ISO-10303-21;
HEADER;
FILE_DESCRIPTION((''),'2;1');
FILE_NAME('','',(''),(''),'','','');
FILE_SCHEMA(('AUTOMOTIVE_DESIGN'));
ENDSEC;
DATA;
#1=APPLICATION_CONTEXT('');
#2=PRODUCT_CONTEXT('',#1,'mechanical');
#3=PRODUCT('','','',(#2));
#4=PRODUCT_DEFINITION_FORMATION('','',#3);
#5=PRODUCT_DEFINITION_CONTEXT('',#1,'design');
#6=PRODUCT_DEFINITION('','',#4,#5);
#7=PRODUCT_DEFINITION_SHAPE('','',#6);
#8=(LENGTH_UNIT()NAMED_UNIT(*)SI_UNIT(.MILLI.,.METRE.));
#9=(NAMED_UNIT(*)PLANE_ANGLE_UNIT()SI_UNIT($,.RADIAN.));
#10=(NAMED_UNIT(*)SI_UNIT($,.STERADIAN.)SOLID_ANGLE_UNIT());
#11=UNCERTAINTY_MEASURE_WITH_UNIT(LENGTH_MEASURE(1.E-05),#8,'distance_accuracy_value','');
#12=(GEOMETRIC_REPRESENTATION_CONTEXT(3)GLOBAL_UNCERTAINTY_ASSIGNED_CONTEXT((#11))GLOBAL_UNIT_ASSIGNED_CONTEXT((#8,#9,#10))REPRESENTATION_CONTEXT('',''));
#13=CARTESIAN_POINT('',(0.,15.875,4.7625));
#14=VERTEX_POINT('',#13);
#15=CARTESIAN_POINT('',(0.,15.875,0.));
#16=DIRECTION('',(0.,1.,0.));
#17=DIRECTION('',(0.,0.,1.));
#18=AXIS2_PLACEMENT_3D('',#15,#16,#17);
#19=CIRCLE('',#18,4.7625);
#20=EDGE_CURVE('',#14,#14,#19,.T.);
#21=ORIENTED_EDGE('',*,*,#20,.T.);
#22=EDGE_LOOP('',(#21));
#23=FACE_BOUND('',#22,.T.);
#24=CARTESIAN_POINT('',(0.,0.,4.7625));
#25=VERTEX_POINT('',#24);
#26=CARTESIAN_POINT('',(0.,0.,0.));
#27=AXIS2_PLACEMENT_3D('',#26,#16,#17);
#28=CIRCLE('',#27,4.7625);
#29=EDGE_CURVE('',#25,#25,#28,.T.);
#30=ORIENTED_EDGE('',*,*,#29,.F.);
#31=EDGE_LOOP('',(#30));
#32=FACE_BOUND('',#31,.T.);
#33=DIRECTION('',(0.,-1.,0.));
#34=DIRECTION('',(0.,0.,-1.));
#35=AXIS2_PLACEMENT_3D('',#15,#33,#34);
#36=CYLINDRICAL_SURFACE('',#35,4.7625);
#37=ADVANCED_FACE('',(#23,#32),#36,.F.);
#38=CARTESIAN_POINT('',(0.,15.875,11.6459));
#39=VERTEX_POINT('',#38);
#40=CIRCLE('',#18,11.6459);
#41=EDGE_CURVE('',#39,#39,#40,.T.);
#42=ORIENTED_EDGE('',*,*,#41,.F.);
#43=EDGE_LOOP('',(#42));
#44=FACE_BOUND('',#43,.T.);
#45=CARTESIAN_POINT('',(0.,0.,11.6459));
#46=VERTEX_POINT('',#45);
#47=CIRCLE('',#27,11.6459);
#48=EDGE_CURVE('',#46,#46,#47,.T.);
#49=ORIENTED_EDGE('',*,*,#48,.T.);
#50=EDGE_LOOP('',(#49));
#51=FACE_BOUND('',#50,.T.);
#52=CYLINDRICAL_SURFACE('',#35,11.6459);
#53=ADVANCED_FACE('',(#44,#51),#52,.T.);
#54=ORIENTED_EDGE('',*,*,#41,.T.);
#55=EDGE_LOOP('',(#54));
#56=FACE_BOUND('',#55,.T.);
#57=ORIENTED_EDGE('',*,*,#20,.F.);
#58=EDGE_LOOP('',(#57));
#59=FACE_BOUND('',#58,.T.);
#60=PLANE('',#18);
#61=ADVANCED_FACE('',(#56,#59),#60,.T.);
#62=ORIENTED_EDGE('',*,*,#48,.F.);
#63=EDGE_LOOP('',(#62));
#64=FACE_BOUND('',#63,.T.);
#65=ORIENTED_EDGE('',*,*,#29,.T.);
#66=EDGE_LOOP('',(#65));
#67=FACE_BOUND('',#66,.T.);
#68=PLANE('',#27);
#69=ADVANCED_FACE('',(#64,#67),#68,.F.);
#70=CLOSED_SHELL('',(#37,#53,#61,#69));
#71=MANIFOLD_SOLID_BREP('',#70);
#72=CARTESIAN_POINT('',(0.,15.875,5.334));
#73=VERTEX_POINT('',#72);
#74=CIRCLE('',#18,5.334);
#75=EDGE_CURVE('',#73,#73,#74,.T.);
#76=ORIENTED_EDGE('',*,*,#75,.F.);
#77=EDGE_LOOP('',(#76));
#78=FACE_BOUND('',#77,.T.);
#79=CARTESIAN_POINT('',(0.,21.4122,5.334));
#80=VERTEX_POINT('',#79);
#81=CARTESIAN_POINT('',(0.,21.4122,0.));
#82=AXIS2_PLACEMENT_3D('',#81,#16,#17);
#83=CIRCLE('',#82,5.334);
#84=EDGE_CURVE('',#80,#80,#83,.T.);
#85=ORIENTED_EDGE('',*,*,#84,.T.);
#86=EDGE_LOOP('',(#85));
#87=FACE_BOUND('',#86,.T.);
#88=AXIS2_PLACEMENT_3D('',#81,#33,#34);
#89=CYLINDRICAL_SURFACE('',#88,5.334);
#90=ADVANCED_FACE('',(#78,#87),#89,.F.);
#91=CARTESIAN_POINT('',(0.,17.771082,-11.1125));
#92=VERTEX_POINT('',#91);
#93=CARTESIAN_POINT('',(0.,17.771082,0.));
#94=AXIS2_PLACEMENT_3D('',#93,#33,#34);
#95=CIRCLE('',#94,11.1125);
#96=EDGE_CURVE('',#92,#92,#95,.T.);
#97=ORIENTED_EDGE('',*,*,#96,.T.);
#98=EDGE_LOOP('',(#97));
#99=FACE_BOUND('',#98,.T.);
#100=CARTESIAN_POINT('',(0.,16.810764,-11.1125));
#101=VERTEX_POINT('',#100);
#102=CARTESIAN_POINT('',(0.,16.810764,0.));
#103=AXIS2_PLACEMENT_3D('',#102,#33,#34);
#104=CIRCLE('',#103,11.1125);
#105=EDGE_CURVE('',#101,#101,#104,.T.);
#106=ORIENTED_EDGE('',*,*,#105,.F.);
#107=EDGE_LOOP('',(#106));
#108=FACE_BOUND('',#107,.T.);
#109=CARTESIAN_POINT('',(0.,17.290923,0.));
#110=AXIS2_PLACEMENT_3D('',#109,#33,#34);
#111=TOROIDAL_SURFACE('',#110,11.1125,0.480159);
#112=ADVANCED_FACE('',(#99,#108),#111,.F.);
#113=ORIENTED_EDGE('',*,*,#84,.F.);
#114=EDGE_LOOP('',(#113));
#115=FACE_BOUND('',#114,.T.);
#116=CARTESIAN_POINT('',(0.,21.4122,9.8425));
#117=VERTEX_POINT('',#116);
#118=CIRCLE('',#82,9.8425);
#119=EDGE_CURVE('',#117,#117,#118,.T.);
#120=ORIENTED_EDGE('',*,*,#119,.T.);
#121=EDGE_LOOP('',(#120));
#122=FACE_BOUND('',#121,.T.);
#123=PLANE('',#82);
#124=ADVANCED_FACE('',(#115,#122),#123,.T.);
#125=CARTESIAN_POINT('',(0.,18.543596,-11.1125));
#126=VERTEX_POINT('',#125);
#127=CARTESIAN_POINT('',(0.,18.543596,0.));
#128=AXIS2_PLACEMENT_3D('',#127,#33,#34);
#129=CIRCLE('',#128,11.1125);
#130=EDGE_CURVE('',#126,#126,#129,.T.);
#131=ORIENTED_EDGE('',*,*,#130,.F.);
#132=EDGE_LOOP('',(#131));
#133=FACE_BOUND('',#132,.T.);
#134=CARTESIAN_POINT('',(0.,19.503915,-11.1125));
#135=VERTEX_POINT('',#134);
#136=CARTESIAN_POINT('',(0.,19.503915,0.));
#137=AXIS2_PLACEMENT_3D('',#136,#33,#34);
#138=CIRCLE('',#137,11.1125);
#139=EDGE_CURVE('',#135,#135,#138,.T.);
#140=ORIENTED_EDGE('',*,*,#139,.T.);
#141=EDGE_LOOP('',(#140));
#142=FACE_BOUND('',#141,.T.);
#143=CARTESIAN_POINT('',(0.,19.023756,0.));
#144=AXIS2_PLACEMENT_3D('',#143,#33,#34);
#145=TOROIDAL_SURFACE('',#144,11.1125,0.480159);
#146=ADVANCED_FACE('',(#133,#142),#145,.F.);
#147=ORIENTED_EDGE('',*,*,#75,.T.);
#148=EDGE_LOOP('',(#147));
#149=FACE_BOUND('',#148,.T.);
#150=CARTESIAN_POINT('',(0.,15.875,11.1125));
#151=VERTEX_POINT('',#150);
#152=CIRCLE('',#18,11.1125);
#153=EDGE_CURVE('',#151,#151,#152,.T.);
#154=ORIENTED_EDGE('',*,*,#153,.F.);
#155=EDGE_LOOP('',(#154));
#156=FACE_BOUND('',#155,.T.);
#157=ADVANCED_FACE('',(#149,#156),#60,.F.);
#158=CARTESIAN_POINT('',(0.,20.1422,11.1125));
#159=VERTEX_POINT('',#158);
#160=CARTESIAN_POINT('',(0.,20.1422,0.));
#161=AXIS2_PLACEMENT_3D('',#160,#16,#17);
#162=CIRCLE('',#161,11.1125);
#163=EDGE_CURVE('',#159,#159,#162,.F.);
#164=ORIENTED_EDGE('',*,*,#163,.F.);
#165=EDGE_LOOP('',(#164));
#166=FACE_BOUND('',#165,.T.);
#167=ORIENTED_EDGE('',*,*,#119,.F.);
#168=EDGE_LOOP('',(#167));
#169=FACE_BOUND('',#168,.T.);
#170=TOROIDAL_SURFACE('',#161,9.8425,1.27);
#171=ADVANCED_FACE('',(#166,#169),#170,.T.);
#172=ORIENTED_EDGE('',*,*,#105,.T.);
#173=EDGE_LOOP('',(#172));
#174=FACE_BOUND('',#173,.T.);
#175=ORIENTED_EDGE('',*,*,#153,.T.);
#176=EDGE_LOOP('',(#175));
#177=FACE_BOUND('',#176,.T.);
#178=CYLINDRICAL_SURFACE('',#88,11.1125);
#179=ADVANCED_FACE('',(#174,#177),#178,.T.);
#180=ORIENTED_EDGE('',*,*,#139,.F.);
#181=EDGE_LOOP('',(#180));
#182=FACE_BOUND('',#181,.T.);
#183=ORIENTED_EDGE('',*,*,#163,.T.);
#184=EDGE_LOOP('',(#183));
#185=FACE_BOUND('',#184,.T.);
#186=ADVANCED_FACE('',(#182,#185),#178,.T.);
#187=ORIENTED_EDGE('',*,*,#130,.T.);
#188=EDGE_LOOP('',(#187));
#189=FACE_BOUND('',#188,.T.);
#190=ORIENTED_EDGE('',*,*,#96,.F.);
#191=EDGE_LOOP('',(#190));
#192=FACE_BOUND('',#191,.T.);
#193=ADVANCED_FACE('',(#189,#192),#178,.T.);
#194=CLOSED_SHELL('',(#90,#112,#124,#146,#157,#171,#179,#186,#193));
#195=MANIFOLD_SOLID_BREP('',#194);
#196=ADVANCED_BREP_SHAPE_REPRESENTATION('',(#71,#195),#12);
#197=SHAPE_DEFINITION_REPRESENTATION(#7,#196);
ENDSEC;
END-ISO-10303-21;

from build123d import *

# Parameters (mm, degrees)
SKETCH1_R   = 11.6459
SKETCH1_R_2 = 4.7625
LOWER_DEPTH = 15.875
SKETCH2_R   = 11.1125
SKETCH2_R_2 = 5.334
SEAT_DEPTH  = 5.5372
FILLET1_R   = 1.27


with BuildPart() as part:
    # Sketch1 → lower (new body)
    with BuildSketch(Plane(origin=(0, 0, 0), x_dir=(1, 0, 0), z_dir=(0, 1, 0))):
        with Locations(Location((0, 0, 0), (0, 0, 270))):
            Circle(SKETCH1_R)
        with Locations(Location((0, 0, 0), (0, 0, 270))):
            Circle(SKETCH1_R_2, mode=Mode.SUBTRACT)
    extrude(amount=LOWER_DEPTH)


with BuildPart() as body_2:
    # Sketch2 → seat (new body)
    with BuildSketch(Plane(origin=(0, 15.875, 0), x_dir=(1, 0, 0), z_dir=(0, 1, 0))):
        with Locations(Location((0, 0, 0), (0, 0, 270))):
            Circle(SKETCH2_R)
        with Locations(Location((0, 0, 0), (0, 0, 270))):
            Circle(SKETCH2_R_2, mode=Mode.SUBTRACT)
    extrude(amount=SEAT_DEPTH)

    # Fillet1
    fillet1_edges = [body_2.edges().sort_by_distance(p)[0] for p in [
        (0, 21.4122, -11.1125),
    ]]
    fillet(fillet1_edges, radius=FILLET1_R)

    # Sketch3 → Cut-Revolve1 (revolve, cut)
    with BuildSketch(Plane.XY, mode=Mode.PRIVATE) as cut_revolve1_sk:
        with BuildLine():
            Line((-11.1125, 20.1422), (-11.1125, 19.50391487))
            ThreePointArc((-11.1125, 19.50391487), (-10.632340758, 19.023755628), (-11.1125, 18.543596386))
            Line((-11.1125, 18.543596386), (-11.1125, 17.771082329))
            ThreePointArc((-11.1125, 17.771082329), (-10.632340758, 17.290923087), (-11.1125, 16.810763845))
            Line((-11.1125, 16.810763845), (-11.1125, 15.875))
            Line((-11.1125, 15.875), (-12.694987605, 15.875))
            Line((-12.694987605, 15.875), (-12.694987605, 20.1422))
            Line((-12.694987605, 20.1422), (-11.1125, 20.1422))
        make_face()
    revolve(cut_revolve1_sk.sketch.rotate(Axis((0, 0, 0), (0, 1, 0)), 270), axis=Axis((0, 0, 0), (0, 1, 0)), mode=Mode.SUBTRACT)


solid = Compound([part.part, body_2.part])
